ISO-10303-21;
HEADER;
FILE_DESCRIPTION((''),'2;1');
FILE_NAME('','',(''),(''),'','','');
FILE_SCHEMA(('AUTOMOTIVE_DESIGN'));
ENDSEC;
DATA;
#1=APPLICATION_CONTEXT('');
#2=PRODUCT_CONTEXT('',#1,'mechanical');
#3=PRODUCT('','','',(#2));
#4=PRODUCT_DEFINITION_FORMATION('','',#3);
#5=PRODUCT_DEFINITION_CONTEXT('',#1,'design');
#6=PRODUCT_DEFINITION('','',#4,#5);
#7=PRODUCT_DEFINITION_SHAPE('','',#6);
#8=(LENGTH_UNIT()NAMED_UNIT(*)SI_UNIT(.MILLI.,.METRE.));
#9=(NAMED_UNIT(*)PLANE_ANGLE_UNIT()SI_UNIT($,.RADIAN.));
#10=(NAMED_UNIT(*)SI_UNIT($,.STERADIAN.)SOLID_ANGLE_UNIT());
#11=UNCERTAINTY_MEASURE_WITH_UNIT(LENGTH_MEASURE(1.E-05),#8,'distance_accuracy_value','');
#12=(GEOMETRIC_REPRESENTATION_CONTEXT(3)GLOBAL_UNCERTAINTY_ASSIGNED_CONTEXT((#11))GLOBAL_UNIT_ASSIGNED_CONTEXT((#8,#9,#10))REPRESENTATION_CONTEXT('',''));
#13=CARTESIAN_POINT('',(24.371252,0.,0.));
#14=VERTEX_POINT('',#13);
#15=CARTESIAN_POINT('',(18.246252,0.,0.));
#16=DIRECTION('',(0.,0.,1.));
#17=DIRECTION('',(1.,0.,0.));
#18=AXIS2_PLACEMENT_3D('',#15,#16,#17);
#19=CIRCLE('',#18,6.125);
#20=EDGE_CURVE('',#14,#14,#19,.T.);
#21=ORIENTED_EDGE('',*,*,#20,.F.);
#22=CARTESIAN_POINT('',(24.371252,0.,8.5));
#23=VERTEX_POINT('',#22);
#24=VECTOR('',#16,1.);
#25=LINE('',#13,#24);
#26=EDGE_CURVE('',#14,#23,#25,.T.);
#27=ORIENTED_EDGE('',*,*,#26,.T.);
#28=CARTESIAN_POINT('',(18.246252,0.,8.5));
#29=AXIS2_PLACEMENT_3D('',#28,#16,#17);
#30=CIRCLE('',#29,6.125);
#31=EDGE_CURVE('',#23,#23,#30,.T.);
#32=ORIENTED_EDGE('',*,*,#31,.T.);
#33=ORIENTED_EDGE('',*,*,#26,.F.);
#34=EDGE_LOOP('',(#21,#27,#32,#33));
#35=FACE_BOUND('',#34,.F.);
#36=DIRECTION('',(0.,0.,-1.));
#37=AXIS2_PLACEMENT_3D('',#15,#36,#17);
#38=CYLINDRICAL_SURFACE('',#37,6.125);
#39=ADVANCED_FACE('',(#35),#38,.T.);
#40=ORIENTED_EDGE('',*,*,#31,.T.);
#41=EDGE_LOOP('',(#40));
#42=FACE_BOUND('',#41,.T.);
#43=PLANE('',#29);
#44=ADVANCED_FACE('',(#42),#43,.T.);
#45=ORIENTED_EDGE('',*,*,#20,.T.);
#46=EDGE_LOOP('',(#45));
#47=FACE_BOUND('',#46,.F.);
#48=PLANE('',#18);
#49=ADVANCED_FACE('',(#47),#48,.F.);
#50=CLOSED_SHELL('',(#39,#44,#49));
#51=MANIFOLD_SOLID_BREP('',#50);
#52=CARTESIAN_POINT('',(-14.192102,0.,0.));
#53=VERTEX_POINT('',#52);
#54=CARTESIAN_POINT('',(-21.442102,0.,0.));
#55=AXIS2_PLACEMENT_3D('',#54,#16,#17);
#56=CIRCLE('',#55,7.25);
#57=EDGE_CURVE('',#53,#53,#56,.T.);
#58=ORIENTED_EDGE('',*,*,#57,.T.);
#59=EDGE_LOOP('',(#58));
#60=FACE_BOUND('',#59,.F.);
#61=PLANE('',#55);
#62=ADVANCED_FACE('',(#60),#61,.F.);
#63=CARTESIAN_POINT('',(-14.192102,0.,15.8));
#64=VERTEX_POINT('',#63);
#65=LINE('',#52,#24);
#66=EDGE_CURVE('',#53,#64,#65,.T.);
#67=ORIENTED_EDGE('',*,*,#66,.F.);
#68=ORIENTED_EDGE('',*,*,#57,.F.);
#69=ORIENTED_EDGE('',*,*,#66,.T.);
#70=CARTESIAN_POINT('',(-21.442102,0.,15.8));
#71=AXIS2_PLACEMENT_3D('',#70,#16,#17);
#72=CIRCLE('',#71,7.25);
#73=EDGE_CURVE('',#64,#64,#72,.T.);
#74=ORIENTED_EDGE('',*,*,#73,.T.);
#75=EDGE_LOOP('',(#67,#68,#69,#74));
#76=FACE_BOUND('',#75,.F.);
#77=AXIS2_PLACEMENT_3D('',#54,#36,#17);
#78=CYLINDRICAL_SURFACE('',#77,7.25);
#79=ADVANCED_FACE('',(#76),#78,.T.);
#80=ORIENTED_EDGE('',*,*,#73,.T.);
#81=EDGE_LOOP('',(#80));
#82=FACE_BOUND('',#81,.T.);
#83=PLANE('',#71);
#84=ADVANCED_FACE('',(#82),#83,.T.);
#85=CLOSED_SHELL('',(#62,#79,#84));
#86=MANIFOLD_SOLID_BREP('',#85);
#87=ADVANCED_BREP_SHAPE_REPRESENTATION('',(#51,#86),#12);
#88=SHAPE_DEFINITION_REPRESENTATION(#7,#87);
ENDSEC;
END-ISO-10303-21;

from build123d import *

# Parameters (mm, degrees)
F0_R     = 7.25
F1_DEPTH = 15.8
F2_R     = 6.125
F3_DEPTH = 8.5


with BuildPart() as f1:
    # F0 (on Top) → F1 (new body)
    with BuildSketch(Plane.XY):
        with Locations((-21.442102, 0)):
            Circle(F0_R)
    extrude(amount=F1_DEPTH)


with BuildPart() as f3:
    # F2 (on Top) → F3 (new body)
    with BuildSketch(Plane.XY):
        with Locations((18.246252, 0)):
            Circle(F2_R)
    extrude(amount=F3_DEPTH)


solid = Compound([f1.part, f3.part])
